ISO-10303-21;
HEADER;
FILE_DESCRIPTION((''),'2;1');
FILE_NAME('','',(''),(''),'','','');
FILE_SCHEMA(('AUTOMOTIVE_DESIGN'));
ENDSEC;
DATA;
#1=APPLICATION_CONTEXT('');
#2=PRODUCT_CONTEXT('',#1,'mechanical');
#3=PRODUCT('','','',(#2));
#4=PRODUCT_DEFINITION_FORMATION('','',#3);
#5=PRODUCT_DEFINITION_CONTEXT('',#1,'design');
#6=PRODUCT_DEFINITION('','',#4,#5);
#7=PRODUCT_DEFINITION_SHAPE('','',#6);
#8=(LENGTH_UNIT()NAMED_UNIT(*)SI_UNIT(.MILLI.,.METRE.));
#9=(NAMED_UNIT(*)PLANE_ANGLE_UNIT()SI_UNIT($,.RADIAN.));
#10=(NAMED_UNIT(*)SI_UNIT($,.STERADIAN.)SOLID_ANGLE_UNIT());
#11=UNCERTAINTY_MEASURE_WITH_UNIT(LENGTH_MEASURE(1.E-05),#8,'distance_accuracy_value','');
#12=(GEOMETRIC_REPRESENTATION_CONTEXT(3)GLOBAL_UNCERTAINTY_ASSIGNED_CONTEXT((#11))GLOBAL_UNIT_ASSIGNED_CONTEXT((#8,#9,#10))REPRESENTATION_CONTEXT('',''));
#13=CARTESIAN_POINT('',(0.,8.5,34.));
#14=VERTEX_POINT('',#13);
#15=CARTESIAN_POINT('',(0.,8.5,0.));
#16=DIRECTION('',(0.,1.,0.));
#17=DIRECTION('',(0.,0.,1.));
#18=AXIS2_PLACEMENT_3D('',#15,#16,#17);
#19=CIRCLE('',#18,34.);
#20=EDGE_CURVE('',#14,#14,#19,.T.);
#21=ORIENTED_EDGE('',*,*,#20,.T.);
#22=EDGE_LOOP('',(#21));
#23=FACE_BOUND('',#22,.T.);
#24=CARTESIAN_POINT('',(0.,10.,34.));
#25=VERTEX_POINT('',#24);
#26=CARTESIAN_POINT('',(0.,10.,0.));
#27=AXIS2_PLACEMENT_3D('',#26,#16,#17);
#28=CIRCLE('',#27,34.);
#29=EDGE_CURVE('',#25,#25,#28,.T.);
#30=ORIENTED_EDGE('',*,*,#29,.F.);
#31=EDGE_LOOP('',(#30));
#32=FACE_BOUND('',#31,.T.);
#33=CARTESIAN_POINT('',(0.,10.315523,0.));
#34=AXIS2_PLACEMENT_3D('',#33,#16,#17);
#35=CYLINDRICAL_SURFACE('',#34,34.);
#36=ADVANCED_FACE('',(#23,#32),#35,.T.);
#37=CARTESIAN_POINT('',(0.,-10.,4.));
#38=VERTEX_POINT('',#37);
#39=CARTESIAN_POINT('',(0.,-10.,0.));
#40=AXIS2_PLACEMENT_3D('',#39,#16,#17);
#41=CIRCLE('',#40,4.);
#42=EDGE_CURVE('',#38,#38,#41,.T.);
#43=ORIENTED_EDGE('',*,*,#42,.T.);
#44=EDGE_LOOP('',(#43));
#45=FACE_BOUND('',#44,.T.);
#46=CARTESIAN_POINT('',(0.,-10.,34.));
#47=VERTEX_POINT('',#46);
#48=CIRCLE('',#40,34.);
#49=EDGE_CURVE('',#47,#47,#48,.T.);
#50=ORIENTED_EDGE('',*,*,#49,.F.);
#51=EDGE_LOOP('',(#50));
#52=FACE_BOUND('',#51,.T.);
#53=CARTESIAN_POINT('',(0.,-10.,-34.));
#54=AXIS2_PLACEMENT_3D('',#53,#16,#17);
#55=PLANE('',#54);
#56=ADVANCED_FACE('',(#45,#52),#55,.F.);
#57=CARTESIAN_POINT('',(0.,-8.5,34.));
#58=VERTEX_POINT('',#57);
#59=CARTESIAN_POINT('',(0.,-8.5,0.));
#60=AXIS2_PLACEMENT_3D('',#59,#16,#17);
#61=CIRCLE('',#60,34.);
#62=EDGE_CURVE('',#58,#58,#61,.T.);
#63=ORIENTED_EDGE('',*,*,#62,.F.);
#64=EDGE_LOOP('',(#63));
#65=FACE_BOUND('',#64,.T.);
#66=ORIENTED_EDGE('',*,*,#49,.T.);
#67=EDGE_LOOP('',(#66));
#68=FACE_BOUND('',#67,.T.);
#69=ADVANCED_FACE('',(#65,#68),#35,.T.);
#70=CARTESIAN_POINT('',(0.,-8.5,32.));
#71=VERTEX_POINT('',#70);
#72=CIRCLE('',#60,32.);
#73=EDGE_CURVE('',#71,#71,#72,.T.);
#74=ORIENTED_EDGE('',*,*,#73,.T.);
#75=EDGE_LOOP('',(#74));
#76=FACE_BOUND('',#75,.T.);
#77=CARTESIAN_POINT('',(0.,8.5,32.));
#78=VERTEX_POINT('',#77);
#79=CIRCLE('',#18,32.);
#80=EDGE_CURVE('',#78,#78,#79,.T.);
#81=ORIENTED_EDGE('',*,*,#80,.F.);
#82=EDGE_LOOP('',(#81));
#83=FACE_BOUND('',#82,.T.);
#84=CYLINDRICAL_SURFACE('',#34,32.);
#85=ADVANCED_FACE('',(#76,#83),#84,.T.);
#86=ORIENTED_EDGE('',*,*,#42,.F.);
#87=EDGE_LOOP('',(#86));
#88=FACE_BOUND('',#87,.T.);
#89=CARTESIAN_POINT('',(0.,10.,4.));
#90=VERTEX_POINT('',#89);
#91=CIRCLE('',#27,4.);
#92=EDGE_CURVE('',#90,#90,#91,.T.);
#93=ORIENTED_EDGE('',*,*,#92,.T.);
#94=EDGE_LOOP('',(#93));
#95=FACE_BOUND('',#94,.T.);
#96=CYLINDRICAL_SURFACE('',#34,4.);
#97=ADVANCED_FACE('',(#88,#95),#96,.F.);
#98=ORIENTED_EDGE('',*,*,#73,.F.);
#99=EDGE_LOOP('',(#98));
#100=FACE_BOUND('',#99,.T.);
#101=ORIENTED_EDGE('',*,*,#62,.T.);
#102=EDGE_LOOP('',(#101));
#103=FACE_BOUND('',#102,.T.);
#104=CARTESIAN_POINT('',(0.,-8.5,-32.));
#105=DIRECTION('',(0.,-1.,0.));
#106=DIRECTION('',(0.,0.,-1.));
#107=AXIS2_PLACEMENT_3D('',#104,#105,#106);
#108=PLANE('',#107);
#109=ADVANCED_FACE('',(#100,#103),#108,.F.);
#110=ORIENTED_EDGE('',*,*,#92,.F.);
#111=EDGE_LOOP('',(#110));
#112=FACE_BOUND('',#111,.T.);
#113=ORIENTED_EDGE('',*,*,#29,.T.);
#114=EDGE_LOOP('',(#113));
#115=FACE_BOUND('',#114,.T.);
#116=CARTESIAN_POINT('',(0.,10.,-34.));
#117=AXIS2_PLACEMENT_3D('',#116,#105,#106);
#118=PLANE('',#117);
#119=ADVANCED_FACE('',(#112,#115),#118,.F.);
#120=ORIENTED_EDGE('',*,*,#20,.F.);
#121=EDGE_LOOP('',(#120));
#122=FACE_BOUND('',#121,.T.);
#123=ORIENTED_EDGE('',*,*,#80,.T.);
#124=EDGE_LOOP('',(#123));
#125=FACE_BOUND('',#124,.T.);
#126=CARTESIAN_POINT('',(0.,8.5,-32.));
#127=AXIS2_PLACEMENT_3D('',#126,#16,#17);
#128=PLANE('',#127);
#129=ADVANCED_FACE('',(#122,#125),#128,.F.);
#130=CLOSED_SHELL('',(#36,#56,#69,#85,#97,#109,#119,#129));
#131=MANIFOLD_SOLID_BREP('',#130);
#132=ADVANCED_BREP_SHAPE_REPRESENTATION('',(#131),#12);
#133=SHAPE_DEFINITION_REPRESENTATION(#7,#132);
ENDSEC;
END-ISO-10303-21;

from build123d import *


with BuildPart() as part:
    # Sketch1 → Revolve1 (revolve)
    with BuildSketch(Plane(origin=(0, 0, 0), x_dir=(0, 0, -1), z_dir=(1, 0, 0)), mode=Mode.PRIVATE) as revolve1_sk:
        Polygon((32, -8.5), (32, 8.5), (34, 8.5), (34, 10), (4, 10), (4, -10), (34, -10), (34, -8.5), align=None)
    revolve(revolve1_sk.sketch.rotate(Axis((0, 10.31552251, 0), (0, -1, 0)), 180), axis=Axis((0, 10.31552251, 0), (0, -1, 0)))


solid = part.part
